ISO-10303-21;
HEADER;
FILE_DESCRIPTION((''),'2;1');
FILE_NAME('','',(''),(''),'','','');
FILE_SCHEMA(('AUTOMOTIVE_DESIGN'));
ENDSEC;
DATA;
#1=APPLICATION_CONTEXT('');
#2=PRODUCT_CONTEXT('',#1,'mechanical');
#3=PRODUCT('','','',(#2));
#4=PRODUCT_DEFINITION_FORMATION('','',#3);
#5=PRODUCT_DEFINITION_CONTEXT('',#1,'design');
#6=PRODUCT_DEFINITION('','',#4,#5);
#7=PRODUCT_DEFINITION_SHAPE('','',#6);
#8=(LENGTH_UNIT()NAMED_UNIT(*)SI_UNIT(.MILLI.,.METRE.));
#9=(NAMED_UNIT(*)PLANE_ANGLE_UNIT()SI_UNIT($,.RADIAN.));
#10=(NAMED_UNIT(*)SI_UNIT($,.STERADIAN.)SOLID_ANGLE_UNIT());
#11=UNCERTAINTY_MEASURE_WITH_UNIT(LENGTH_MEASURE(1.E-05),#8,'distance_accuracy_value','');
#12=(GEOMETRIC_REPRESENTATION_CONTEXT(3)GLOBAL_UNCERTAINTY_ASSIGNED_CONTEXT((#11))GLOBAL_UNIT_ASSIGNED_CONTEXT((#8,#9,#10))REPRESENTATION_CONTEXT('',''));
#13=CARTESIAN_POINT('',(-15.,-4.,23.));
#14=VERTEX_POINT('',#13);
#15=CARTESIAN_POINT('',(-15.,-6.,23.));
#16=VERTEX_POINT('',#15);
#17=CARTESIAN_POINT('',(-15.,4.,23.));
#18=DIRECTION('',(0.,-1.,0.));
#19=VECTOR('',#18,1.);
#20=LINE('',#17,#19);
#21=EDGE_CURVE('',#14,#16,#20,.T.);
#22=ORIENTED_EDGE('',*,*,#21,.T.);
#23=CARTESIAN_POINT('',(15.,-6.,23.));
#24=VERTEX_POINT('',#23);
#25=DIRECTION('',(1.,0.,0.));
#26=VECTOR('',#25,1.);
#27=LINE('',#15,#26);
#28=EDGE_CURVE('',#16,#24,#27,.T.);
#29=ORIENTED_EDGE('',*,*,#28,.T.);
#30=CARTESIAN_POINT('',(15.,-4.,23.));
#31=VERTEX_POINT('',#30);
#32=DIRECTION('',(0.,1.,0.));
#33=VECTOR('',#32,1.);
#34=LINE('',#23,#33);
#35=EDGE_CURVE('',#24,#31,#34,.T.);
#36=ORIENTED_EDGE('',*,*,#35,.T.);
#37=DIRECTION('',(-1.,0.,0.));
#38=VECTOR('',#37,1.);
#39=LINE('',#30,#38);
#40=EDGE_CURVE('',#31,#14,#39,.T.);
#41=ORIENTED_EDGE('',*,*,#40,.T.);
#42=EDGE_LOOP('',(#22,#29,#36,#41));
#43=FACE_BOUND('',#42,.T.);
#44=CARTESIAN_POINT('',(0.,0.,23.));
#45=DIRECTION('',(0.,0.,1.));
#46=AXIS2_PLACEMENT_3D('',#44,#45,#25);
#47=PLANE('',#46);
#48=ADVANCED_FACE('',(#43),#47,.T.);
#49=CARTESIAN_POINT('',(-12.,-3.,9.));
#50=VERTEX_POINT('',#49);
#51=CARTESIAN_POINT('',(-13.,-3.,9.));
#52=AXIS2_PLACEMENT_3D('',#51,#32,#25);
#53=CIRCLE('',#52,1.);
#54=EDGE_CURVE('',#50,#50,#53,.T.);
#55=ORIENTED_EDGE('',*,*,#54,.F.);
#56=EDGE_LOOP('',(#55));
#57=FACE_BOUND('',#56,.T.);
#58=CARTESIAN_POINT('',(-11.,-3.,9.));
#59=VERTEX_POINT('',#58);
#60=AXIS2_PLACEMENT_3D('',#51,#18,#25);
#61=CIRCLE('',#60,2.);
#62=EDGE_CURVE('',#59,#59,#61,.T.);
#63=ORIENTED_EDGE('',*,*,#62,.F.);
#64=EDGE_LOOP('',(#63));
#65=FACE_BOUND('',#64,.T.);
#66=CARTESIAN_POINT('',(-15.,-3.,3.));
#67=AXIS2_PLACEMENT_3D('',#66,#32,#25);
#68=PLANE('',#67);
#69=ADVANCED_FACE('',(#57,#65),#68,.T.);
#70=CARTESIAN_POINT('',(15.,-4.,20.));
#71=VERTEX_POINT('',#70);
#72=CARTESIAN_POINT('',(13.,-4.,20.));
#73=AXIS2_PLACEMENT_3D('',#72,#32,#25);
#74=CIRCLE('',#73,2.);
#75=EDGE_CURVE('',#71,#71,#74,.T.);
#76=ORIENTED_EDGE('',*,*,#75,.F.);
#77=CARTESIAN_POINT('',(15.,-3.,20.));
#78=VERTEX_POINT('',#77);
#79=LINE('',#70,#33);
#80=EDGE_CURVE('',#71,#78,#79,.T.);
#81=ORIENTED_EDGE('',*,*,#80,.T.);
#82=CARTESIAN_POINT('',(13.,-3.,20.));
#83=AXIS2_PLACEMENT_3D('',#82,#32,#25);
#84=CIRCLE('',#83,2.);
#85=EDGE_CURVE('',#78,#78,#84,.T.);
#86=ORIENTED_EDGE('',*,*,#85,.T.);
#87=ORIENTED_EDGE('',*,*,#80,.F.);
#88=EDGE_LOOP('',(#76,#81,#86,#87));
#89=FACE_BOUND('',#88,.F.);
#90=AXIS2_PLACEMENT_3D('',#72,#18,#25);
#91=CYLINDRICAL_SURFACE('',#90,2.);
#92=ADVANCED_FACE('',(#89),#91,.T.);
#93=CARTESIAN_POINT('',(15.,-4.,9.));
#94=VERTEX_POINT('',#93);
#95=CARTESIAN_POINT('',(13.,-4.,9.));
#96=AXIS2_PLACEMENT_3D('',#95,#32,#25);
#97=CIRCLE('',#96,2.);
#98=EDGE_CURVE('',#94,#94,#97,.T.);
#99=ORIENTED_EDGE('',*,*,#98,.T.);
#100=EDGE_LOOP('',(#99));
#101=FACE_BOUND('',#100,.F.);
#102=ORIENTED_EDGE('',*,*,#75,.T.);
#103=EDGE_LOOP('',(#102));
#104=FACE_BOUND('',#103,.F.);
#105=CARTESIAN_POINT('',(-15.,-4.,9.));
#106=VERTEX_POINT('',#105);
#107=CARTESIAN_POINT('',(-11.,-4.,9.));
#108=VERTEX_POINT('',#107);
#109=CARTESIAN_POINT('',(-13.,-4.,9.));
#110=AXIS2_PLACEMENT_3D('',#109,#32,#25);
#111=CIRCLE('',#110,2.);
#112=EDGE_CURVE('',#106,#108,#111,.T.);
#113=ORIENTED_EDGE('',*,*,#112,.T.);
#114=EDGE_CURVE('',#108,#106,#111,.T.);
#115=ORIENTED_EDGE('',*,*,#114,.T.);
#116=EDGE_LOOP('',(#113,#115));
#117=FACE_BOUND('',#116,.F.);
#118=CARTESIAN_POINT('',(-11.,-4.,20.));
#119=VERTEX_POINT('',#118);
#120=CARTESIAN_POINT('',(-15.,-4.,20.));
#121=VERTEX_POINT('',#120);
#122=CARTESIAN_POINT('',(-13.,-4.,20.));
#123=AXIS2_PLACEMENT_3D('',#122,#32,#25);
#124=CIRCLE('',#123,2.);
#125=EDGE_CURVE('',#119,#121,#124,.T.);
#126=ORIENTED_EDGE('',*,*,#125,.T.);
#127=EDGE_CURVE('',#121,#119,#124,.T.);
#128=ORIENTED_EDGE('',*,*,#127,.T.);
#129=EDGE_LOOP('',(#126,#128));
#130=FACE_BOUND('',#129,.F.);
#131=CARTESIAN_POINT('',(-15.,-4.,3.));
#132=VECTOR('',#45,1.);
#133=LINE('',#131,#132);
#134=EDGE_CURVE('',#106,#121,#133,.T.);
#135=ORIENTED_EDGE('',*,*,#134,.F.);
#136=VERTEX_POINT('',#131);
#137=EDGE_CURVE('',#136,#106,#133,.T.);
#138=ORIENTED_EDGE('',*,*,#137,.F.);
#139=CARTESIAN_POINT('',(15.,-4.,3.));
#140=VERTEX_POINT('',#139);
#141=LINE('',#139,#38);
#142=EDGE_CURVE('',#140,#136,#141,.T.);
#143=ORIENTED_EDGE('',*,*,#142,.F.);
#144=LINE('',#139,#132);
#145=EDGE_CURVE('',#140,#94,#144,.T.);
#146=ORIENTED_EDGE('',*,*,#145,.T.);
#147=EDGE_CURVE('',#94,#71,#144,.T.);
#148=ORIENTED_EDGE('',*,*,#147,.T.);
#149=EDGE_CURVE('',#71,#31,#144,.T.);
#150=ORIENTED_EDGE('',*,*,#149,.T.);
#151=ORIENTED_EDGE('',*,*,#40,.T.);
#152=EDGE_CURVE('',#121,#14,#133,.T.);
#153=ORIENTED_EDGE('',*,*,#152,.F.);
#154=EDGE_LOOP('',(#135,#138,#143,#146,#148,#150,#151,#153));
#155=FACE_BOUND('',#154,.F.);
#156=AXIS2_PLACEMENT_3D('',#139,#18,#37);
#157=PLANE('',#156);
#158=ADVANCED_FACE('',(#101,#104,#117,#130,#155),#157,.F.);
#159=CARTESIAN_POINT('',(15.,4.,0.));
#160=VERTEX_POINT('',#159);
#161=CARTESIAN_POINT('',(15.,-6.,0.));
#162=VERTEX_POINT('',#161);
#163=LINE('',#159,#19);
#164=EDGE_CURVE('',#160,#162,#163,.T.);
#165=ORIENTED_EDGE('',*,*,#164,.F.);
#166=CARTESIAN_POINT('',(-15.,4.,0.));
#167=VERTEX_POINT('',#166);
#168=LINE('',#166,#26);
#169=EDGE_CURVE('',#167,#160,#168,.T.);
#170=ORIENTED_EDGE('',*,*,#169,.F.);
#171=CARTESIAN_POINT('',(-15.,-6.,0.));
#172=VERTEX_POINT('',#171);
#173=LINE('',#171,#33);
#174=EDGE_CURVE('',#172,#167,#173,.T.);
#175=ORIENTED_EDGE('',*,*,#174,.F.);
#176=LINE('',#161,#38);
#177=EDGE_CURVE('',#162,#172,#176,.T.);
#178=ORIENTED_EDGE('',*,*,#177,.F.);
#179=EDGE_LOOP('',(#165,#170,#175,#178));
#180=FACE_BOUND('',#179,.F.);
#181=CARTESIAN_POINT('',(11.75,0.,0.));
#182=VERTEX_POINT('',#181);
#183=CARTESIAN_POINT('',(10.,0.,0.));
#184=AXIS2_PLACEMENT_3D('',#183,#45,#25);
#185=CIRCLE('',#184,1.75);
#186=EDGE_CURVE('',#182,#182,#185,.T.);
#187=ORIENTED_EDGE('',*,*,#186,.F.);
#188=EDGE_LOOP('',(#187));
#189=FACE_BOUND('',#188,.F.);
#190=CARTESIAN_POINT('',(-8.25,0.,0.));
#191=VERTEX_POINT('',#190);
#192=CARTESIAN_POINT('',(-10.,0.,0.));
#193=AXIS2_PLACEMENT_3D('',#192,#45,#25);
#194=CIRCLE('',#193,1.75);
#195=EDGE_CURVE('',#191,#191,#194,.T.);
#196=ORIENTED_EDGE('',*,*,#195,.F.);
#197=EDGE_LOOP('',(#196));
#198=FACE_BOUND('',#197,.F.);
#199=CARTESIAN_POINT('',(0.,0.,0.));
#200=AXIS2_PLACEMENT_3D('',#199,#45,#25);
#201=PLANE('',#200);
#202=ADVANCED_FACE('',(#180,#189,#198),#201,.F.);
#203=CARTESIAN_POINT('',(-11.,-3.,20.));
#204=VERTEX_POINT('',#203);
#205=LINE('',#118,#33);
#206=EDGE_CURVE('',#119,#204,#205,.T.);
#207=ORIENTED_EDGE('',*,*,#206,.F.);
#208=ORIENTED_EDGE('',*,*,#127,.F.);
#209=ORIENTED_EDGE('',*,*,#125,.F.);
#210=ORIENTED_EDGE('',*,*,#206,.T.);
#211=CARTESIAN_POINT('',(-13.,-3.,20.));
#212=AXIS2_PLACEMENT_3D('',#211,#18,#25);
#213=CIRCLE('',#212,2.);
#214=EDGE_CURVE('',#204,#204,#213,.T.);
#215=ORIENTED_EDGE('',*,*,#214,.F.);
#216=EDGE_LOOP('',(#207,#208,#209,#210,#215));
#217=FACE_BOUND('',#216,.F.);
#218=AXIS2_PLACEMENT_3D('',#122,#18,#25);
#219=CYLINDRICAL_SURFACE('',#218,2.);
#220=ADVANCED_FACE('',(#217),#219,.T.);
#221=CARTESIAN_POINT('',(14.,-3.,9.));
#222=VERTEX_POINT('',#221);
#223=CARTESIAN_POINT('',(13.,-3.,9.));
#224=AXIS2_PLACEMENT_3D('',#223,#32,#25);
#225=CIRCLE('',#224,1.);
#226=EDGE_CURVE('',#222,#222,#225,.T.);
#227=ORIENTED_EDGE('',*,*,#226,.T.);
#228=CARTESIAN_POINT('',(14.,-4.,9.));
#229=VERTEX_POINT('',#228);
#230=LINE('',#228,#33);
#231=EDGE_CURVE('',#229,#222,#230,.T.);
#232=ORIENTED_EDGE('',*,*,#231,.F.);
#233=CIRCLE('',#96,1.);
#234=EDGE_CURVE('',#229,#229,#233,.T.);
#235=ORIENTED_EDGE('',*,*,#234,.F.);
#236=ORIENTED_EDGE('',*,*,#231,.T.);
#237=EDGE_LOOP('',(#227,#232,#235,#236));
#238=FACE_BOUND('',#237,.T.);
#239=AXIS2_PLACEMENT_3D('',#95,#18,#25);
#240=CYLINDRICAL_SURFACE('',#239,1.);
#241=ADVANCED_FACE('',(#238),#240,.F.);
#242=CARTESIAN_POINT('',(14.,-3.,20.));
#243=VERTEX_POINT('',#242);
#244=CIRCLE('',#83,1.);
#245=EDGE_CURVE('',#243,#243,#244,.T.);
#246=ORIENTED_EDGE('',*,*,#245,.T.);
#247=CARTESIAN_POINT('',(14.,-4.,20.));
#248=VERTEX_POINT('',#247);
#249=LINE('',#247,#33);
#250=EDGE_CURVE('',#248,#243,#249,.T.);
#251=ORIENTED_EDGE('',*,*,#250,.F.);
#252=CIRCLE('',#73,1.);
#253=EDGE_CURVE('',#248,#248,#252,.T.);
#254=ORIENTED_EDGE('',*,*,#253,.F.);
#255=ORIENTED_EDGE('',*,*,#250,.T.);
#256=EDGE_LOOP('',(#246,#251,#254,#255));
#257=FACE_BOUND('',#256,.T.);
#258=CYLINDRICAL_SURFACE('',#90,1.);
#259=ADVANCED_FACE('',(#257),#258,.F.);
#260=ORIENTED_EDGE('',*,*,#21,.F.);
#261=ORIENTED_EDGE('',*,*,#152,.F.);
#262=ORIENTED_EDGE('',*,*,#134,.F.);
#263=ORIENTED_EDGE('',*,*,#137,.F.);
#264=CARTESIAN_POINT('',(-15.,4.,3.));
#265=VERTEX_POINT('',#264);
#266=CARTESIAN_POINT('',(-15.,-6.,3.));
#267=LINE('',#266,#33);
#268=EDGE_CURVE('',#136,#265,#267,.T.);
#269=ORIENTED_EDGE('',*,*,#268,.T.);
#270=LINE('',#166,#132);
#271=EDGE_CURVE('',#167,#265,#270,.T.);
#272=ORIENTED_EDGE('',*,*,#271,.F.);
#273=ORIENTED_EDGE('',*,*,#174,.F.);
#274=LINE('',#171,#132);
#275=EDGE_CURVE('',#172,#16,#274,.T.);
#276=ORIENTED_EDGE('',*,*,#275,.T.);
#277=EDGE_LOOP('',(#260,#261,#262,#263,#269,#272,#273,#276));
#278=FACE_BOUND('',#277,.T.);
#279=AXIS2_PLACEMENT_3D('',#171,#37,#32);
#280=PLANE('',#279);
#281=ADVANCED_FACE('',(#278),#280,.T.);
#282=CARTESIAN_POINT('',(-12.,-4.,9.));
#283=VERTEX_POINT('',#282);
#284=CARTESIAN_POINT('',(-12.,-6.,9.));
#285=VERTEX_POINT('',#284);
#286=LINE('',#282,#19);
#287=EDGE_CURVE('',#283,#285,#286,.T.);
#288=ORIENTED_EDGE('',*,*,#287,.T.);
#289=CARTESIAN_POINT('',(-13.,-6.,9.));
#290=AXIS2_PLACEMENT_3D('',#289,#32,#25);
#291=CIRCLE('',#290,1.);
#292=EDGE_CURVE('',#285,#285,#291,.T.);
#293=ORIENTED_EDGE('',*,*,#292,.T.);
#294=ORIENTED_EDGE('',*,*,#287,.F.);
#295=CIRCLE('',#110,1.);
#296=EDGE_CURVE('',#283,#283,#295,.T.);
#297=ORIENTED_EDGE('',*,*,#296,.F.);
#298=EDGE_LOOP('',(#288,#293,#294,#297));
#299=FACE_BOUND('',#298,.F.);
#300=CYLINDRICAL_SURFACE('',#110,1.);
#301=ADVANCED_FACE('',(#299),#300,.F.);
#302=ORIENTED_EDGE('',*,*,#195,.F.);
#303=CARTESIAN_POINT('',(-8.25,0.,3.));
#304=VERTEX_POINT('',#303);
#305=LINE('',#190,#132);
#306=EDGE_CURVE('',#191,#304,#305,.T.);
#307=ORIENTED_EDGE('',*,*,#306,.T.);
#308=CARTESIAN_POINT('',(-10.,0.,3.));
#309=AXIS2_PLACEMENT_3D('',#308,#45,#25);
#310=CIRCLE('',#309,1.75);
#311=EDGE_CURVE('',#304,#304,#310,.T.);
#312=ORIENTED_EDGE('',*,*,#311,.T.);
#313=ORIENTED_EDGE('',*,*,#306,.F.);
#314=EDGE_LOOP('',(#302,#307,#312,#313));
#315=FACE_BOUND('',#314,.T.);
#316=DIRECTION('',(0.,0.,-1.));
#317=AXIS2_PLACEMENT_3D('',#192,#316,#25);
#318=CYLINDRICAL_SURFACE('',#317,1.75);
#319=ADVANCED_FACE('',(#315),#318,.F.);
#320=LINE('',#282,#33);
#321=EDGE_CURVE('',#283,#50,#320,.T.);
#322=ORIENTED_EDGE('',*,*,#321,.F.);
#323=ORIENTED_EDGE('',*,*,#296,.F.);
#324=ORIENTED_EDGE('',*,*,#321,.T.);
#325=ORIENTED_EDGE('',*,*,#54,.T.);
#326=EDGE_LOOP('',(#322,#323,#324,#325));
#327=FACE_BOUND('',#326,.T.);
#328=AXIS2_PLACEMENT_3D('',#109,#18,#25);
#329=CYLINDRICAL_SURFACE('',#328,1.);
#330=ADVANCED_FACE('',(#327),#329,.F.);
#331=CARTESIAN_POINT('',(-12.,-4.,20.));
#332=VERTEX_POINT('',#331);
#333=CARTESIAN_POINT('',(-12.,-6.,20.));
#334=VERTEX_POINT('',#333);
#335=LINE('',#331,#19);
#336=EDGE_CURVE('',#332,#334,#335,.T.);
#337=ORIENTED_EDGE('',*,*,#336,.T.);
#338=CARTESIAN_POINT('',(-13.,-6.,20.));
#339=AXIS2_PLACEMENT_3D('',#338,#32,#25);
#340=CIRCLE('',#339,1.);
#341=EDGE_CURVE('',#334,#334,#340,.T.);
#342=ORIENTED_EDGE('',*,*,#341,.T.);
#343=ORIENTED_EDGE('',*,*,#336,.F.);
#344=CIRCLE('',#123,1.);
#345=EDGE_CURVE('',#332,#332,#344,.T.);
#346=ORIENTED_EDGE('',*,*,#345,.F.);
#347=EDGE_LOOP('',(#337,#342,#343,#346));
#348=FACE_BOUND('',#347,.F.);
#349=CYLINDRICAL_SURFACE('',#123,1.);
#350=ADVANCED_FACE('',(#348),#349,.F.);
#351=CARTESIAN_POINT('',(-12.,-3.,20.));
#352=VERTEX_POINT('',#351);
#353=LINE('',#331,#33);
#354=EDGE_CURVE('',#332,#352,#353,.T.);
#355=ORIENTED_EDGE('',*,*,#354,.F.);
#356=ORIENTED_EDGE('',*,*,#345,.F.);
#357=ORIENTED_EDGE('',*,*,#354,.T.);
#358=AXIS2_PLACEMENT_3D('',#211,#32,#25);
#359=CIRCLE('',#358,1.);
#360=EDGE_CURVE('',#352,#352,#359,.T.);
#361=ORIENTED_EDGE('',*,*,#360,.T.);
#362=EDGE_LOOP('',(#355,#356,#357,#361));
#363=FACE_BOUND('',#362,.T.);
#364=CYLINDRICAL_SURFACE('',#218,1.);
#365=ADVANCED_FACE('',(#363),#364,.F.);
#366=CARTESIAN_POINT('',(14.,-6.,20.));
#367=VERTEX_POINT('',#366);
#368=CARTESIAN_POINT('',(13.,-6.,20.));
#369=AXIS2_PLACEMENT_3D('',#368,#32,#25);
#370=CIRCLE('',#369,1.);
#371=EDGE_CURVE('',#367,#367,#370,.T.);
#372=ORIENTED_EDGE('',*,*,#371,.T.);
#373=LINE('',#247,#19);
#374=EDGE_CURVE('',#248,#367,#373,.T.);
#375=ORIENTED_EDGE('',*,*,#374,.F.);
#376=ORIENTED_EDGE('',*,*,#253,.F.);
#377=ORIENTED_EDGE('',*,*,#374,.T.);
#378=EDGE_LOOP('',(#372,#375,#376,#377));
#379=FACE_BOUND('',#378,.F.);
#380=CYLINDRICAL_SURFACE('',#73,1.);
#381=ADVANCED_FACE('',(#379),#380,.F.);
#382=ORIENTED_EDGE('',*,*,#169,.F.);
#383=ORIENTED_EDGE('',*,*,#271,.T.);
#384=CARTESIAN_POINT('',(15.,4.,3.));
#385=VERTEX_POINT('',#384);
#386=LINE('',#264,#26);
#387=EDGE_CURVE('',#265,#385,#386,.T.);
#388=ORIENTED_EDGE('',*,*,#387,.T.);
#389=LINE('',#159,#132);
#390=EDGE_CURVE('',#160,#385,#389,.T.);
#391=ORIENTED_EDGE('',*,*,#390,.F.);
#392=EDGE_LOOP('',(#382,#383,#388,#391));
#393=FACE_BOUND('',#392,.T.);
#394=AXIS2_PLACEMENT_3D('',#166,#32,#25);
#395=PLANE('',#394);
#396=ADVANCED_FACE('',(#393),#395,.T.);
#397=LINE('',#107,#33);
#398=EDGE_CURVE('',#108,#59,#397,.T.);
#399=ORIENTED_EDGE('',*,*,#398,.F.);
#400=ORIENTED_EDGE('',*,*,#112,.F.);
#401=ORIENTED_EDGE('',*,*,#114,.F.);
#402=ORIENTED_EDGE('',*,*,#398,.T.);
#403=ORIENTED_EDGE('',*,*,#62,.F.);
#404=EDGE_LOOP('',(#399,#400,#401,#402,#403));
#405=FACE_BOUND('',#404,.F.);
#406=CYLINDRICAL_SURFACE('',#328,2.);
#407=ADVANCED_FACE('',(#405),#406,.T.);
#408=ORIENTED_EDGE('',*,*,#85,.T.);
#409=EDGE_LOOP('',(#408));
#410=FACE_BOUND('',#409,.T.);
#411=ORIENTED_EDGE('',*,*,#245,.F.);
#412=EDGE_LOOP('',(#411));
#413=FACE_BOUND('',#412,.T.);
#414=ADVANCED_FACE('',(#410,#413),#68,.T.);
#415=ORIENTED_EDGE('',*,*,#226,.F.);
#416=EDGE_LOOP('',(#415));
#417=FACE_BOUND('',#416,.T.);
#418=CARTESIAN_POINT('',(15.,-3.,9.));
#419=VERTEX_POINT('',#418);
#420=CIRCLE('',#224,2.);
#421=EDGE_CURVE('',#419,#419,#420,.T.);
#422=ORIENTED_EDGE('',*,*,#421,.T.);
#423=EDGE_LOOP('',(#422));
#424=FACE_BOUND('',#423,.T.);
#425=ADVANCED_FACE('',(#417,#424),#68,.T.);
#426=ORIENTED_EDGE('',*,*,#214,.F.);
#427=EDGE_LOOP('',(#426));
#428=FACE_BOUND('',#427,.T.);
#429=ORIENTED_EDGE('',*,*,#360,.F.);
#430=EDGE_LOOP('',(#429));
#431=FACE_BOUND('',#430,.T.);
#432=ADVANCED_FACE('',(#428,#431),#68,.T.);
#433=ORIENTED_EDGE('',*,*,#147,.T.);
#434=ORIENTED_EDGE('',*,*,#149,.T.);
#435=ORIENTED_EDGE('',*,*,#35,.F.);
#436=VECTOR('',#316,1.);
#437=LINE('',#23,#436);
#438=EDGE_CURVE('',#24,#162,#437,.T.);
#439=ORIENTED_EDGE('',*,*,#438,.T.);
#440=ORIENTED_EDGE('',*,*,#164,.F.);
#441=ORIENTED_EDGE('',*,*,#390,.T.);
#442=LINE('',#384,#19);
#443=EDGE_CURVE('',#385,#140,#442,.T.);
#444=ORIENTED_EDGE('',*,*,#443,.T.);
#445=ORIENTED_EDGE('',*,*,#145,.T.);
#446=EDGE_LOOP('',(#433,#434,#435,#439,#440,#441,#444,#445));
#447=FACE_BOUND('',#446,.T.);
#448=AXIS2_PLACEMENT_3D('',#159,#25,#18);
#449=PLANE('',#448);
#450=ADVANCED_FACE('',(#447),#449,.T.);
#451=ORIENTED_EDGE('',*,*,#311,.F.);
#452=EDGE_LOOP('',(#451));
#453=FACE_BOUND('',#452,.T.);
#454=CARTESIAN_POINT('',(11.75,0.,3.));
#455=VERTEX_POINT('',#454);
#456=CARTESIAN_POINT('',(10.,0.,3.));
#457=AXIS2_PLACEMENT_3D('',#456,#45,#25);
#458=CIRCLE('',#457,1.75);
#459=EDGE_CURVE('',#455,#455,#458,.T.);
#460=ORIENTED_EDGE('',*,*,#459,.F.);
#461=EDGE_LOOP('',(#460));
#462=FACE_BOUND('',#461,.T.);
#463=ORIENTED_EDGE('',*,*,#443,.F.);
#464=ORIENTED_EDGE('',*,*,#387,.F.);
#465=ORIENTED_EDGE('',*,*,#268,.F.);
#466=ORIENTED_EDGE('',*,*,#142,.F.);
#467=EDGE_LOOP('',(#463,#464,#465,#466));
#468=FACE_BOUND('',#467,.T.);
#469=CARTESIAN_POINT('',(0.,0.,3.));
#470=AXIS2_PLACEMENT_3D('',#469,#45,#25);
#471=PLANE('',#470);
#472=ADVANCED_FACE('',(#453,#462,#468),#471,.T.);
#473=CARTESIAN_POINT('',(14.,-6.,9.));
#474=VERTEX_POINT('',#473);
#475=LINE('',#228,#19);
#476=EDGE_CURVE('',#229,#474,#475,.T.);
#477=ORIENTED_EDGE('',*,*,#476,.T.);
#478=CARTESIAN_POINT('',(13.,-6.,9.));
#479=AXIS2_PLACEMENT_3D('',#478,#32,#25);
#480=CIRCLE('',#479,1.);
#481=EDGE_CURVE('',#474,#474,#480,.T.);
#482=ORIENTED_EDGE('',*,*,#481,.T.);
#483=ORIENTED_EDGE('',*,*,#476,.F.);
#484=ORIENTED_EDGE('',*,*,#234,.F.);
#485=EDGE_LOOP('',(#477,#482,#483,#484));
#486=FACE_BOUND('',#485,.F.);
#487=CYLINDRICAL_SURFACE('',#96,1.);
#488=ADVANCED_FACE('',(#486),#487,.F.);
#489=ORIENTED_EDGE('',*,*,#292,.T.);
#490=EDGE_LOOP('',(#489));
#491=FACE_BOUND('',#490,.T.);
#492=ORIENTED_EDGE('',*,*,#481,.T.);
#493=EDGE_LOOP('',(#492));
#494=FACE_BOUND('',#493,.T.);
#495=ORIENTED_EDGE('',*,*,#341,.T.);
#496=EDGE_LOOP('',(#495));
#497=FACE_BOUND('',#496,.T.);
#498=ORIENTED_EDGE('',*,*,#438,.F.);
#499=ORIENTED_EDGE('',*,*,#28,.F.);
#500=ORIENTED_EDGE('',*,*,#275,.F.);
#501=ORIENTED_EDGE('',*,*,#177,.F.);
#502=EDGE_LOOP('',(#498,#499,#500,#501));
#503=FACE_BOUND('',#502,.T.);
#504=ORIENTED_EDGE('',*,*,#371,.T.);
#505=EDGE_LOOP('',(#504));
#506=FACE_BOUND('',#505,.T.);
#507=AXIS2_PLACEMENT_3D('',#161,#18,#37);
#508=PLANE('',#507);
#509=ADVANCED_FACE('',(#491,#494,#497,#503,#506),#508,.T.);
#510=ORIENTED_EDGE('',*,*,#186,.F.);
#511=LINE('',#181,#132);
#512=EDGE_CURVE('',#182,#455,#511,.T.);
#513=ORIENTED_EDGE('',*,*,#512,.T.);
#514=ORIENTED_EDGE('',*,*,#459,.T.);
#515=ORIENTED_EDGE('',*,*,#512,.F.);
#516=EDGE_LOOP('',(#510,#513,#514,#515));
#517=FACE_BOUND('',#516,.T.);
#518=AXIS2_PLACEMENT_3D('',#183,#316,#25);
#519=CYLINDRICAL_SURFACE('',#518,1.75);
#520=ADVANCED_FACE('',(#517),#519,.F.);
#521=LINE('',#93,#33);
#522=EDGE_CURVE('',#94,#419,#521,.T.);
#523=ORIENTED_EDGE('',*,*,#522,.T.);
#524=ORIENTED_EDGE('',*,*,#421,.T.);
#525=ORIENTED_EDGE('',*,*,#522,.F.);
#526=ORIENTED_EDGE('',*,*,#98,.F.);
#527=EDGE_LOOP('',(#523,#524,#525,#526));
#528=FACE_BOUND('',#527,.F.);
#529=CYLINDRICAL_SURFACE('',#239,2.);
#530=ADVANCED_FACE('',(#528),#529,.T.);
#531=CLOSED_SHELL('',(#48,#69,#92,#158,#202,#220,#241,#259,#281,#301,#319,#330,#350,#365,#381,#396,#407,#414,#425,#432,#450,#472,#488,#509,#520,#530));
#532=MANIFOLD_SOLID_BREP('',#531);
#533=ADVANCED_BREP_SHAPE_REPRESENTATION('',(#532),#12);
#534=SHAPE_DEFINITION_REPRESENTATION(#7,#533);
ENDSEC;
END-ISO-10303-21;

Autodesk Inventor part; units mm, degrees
ref_plane "YZ Plane" through (0, 0, 0) normal (1, 0, 0) x (0, 1, 0)
ref_plane "XZ Plane" through (0, 0, 0) normal (0, 1, 0) x (-1, 0, 0)
ref_plane "XY Plane" through (0, 0, 0) normal (0, 0, 1) x (1, 0, 0)
sketch "Sketch1" plane through (0, 0, 0) normal (0, 0, 1) x (1, 0, 0)
  circle A0 centre (-10, 0) radius 1.75
  circle A1 centre (10, 0) radius 1.75
  line L0 (-15, 4) -> (15, 4)
  line L1 (15, 4) -> (15, -6)
  line L2 (15, -6) -> (-15, -6)
  line L3 (-15, -6) -> (-15, 4)
  point P0 (0, 0)
  dimension "d0" = 10
  dimension "d1" = 10
  dimension "d2" = 3.5
  dimension "d3" = 5
  dimension "d4" = 5
  dimension "d5" = 4
  dimension "d6" = 10
extrude "Extrusion1" add sketch "Sketch1" along normal blind 3
sketch "Sketch2" plane through (0, 0, 3) normal (0, 0, 1) x (1, 0, 0)
  line L0 (-15, -6) -> (15, -6) projected
  line L1 (15, -6) -> (15, 4) projected
  line L2 (15, 4) -> (-15, 4) projected
  line L3 (-15, 4) -> (-15, -6) projected
  circle A0 centre (10, 0) radius 1.75 projected
  circle A1 centre (-10, 0) radius 1.75 projected
  line L4 (15, -6) -> (15, 4) projected
  line L5 (-15, -6) -> (15, -6)
  line L6 (15, -6) -> (15, -4)
  line L7 (15, -4) -> (-15, -4)
  line L8 (-15, -4) -> (-15, -6)
  point P0 (0, 0)
  dimension "d9" = 2
extrude "Extrusion2" add sketch "Sketch2" along normal blind 20 contours L3 L7 L1 L0
sketch "Sketch4" plane through (-15, -4, 3) normal (0, 1, 0) x (1, 0, 0)
  line L0 (0, 0) -> (30, 0) projected
  line L1 (0, 0) -> (0, -20) projected
  line L2 (30, -20) -> (0, -20) projected
  line L3 (30, 0) -> (30, -20) projected
  circle A0 centre (2, -6) radius 1
  circle A1 centre (28, -6) radius 1
  circle A2 centre (28, -17) radius 1
  circle A3 centre (2, -17) radius 1
  circle A4 centre (2, -6) radius 2
  line L4 (0, 3) -> (0, -20) projected
  circle A5 centre (2, -17) radius 2
  circle A6 centre (28, -17) radius 2
  line L5 (30, 3) -> (30, -20) projected
  circle A7 centre (28, -6) radius 2
  point P0 (15, 3)
  dimension "d12" = 2
  dimension "d13" = 26
  dimension "d14" = 11
  dimension "d15" = 2
  dimension "d16" = 6
extrude "Extrusion3" add sketch "Sketch4" along normal blind 1 contours A4 | A5 | A6 | A7
sketch "Sketch5" plane through (-13, -4, 9) normal (0, 1, 0) x (1, 0, 0)
  circle A0 centre (0, 0) radius 1 projected
  circle A1 centre (26, 0) radius 1 projected
  circle A2 centre (26, -11) radius 1 projected
  circle A3 centre (0, -11) radius 1 projected
  point P0 (13, 9)
extrude "Extrusion4" cut sketch "Sketch5" against normal through all
equation "\"d1\" = d0"
equation "\"d4\" = d3"
properties part number "Nozzlecam_PCB_Mount" material "ABS Plastic"
